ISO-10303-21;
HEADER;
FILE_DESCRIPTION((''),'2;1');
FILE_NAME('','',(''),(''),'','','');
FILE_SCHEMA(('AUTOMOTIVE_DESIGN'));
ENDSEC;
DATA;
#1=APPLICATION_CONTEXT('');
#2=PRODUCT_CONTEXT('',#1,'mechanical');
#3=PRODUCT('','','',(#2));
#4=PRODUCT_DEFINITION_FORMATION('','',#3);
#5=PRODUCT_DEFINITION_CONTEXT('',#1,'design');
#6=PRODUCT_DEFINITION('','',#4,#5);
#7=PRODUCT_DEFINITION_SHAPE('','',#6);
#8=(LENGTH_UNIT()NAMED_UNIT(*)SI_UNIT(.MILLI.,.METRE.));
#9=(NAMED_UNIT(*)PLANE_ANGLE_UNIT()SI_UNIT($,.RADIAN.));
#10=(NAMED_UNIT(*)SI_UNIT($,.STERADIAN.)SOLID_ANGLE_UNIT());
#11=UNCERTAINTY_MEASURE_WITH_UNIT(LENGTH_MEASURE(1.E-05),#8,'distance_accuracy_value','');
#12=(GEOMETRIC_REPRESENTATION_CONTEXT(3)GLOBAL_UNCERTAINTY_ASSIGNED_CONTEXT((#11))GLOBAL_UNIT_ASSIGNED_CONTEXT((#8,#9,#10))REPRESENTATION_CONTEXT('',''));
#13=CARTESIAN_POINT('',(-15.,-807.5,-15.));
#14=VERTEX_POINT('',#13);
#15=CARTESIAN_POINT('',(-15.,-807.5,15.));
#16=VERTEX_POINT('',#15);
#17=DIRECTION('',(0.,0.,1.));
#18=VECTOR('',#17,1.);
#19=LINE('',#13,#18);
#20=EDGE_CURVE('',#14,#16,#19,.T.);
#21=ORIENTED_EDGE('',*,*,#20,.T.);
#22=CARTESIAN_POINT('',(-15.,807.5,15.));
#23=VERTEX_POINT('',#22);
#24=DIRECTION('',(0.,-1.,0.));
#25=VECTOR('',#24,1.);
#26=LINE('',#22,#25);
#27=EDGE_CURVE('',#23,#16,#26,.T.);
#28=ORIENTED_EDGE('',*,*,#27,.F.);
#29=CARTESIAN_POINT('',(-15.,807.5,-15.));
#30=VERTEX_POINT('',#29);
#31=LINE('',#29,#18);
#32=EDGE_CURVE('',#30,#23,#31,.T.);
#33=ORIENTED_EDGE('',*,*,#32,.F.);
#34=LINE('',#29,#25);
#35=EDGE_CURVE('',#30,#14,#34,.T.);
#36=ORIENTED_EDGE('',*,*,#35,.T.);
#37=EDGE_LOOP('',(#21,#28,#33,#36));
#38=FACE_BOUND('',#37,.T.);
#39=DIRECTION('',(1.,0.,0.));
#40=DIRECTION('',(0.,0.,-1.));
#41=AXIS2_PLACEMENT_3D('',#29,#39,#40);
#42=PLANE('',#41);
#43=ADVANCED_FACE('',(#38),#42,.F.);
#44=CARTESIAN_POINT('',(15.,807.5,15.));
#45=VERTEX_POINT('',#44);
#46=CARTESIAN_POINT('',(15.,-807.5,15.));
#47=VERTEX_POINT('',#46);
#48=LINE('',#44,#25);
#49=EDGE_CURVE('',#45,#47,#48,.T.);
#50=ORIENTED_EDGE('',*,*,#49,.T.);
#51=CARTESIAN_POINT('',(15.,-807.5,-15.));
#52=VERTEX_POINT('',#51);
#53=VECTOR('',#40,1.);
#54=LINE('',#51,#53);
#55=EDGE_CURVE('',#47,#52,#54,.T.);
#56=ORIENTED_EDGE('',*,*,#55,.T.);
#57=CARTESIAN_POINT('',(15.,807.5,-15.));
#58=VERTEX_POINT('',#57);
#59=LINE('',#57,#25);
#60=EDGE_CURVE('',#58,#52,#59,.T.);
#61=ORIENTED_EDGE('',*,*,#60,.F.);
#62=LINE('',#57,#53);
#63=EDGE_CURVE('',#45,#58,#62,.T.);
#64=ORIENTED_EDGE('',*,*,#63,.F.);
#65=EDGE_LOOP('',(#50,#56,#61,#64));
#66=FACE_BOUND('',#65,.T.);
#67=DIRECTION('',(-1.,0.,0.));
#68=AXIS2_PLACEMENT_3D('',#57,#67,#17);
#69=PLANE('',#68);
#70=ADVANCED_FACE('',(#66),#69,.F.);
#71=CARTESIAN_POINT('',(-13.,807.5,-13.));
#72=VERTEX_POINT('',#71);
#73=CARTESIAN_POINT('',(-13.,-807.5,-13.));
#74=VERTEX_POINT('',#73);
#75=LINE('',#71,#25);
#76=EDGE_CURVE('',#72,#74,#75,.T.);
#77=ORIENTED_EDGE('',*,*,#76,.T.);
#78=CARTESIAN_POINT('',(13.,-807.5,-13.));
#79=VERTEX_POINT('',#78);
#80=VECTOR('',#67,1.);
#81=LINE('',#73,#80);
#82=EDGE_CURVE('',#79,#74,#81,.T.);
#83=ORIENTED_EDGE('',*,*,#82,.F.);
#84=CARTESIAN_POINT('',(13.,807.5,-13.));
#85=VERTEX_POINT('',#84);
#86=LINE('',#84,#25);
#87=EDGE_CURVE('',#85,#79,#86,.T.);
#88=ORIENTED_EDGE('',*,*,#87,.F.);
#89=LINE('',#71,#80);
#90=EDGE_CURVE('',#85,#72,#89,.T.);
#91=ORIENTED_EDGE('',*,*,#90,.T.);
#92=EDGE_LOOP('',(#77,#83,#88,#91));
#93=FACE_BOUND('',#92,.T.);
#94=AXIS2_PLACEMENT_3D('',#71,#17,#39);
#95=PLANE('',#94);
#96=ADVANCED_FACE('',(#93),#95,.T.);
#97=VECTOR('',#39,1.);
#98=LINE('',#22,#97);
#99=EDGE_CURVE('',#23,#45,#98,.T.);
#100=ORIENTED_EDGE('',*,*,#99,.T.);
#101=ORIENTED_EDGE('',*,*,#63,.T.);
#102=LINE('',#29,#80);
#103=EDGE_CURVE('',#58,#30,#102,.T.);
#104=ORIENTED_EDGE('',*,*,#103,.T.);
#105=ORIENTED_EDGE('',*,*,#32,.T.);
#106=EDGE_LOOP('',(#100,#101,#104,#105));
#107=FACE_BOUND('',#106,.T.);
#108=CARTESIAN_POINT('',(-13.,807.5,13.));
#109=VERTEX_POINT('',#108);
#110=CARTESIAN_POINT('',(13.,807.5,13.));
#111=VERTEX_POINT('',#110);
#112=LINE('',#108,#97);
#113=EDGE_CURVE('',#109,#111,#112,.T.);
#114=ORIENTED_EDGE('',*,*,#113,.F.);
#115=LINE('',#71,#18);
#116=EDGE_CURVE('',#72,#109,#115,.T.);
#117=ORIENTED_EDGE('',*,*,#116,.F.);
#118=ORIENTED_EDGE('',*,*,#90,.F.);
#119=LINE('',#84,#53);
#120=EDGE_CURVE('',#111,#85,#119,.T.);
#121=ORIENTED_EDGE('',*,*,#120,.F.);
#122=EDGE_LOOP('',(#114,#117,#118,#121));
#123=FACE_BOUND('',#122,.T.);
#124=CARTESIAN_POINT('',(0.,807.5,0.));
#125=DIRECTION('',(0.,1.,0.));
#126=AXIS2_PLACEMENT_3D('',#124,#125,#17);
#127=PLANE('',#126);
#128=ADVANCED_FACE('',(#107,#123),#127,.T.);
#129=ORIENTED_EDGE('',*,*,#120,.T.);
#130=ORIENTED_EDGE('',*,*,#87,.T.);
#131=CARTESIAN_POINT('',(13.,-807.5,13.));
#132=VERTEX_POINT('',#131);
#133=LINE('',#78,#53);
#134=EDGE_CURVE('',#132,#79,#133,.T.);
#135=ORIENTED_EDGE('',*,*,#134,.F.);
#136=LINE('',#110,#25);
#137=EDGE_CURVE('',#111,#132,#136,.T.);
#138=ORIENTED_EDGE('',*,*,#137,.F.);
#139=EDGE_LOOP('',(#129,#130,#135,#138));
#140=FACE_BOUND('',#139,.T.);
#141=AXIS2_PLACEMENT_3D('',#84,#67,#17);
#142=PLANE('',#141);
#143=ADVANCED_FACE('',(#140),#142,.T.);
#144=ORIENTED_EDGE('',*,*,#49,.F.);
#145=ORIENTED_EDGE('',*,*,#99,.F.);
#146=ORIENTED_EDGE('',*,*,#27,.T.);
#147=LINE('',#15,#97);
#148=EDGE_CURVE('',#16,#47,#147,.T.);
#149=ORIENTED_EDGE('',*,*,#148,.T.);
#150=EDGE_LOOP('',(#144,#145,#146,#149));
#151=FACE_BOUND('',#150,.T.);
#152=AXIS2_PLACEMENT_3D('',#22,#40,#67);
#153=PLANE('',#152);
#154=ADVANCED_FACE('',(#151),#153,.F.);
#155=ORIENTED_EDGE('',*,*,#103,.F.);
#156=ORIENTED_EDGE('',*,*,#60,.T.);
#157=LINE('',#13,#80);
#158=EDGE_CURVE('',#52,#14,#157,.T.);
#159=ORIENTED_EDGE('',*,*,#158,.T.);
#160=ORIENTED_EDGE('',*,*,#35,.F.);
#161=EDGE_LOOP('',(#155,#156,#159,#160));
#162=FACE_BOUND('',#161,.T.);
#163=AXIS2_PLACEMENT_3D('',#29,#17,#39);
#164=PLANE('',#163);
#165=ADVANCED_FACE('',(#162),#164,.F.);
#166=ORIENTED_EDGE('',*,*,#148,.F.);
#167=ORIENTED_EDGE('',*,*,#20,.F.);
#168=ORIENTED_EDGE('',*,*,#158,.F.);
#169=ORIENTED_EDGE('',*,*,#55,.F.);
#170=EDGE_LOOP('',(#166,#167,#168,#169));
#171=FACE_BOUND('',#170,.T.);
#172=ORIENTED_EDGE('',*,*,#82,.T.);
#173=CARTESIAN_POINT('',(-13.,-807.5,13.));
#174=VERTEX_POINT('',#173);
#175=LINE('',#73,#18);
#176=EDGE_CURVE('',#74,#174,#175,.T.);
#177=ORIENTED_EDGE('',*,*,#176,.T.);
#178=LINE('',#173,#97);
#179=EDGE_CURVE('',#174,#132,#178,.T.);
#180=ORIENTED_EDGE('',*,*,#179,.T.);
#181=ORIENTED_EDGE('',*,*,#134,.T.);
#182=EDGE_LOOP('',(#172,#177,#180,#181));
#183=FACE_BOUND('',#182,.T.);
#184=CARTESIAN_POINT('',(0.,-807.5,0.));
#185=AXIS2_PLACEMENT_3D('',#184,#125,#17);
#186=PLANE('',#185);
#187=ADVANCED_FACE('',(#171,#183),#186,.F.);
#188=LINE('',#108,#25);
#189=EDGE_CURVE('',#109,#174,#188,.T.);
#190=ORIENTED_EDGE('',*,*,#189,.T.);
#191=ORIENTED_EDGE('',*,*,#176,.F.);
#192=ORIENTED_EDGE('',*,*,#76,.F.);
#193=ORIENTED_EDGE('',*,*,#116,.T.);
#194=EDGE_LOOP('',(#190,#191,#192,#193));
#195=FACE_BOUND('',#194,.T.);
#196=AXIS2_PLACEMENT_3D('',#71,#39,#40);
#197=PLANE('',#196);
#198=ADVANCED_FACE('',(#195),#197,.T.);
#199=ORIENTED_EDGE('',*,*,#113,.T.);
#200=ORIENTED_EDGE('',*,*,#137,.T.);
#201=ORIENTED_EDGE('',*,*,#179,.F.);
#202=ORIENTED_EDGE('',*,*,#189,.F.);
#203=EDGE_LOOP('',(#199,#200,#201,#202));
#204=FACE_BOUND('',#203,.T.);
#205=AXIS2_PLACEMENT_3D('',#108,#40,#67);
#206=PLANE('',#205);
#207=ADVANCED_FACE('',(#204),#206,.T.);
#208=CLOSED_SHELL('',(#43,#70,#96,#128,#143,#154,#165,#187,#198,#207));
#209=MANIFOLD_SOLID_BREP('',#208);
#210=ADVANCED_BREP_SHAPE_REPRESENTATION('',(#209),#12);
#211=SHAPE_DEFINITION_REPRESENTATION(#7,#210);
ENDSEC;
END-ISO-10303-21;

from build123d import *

# Parameters (mm, degrees)
SKETCH2_W           = 30
SKETCH2_H           = 30
SKETCH2_W_2         = 26
SKETCH2_H_2         = 26
BOSS_EXTRUDE1_DEPTH = 807.5


with BuildPart() as part:
    # Sketch2 → Boss-Extrude1 (new body, symmetric)
    with BuildSketch(Plane(origin=(0, 0, 0), x_dir=(1, 0, 0), z_dir=(0, 1, 0))):
        Rectangle(SKETCH2_W, SKETCH2_H)
        Rectangle(SKETCH2_W_2, SKETCH2_H_2, mode=Mode.SUBTRACT)
    extrude(amount=BOSS_EXTRUDE1_DEPTH, both=True)


solid = part.part
